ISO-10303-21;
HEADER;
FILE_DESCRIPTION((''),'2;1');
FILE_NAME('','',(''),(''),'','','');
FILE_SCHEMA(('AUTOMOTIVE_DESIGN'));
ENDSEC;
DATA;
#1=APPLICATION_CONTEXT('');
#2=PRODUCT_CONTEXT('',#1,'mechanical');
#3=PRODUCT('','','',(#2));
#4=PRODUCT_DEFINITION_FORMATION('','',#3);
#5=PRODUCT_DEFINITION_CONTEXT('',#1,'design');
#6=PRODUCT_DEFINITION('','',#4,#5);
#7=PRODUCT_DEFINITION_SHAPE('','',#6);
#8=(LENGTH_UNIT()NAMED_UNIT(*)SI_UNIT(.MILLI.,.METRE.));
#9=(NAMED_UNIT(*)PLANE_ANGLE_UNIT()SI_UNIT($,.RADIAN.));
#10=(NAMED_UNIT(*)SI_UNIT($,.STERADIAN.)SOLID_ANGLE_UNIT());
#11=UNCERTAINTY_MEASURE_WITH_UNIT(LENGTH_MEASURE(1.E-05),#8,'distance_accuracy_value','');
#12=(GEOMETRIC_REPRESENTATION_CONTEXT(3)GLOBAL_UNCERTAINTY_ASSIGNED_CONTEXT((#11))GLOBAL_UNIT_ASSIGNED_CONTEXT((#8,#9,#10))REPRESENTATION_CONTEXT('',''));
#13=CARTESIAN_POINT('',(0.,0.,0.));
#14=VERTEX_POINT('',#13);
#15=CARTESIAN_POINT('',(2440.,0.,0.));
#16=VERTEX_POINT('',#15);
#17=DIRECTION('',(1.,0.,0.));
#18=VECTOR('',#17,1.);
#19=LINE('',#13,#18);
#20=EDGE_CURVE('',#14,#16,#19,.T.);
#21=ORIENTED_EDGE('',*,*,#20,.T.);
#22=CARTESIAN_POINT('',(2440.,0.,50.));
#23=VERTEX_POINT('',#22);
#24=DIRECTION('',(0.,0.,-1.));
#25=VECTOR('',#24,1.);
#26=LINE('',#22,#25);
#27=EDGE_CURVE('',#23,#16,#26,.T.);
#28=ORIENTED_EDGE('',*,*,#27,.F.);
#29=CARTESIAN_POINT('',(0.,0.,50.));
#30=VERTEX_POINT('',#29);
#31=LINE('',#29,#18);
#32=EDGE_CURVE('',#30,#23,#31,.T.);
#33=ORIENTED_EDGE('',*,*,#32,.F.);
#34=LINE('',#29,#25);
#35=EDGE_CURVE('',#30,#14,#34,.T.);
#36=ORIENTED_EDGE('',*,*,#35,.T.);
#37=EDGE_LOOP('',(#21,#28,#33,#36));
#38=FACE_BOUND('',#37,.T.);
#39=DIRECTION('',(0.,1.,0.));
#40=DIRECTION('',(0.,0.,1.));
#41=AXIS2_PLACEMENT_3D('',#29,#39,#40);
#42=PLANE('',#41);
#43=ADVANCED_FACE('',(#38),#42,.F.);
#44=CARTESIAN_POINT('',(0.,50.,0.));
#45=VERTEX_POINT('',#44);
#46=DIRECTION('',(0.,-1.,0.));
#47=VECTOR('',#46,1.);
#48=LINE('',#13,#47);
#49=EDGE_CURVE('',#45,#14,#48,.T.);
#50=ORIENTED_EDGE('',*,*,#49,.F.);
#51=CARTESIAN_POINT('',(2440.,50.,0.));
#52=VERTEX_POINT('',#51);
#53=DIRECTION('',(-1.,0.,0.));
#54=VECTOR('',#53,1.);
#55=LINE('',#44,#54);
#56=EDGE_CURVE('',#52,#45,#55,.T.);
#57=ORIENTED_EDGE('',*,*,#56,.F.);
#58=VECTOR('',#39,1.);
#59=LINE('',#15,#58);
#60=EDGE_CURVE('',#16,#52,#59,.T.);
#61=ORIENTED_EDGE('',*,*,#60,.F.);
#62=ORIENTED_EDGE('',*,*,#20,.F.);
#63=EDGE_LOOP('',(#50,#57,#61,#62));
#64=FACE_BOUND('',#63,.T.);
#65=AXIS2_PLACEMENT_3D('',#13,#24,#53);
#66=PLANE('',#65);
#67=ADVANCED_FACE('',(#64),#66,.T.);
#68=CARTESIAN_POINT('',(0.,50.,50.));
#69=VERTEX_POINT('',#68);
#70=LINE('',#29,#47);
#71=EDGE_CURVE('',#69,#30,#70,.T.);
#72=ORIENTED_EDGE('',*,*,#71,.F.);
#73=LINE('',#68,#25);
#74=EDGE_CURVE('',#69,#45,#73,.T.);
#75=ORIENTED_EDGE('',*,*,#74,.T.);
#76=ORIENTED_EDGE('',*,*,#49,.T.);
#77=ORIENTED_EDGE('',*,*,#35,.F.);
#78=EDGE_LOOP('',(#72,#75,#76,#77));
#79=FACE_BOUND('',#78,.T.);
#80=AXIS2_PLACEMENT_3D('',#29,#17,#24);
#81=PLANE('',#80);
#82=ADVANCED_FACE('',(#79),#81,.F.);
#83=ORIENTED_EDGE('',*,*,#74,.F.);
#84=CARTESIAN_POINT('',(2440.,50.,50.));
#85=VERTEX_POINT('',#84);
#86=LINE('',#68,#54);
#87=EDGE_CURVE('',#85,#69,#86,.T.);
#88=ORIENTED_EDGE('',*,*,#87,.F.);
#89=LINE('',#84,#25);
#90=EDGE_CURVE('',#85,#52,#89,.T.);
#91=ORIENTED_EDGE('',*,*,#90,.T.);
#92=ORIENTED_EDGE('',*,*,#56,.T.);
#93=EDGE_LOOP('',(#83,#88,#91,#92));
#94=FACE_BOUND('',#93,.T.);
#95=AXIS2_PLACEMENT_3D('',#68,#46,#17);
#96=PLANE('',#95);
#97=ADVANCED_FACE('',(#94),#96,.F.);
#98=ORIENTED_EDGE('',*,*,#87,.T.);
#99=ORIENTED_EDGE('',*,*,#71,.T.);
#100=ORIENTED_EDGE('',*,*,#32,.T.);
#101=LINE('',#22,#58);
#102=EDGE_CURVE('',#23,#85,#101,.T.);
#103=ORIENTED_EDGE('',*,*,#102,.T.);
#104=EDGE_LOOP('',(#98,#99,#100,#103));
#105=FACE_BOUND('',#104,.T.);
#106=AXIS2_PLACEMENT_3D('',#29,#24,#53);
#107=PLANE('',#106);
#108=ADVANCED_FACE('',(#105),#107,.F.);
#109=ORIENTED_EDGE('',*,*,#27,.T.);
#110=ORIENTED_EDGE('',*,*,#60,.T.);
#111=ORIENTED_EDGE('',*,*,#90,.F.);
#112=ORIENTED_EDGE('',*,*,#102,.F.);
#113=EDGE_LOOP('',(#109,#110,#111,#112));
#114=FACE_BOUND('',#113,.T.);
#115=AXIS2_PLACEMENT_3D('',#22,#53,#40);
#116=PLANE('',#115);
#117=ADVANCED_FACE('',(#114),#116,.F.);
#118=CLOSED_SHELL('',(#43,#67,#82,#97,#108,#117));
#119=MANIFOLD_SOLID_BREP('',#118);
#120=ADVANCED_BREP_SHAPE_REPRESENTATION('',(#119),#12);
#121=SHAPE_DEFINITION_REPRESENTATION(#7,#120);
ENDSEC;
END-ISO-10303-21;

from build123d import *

# Parameters (mm, degrees)
SKETCH_1_W      = 2440
SKETCH_1_H      = 50
EXTRUDE_1_DEPTH = 50


with BuildPart() as part:
    # Эскиз1 → Бобышка-Вытянуть1 (new body)
    with BuildSketch(Plane.XY):
        with Locations((1220, 25)):
            Rectangle(SKETCH_1_W, SKETCH_1_H)
    extrude(amount=EXTRUDE_1_DEPTH)


solid = part.part
